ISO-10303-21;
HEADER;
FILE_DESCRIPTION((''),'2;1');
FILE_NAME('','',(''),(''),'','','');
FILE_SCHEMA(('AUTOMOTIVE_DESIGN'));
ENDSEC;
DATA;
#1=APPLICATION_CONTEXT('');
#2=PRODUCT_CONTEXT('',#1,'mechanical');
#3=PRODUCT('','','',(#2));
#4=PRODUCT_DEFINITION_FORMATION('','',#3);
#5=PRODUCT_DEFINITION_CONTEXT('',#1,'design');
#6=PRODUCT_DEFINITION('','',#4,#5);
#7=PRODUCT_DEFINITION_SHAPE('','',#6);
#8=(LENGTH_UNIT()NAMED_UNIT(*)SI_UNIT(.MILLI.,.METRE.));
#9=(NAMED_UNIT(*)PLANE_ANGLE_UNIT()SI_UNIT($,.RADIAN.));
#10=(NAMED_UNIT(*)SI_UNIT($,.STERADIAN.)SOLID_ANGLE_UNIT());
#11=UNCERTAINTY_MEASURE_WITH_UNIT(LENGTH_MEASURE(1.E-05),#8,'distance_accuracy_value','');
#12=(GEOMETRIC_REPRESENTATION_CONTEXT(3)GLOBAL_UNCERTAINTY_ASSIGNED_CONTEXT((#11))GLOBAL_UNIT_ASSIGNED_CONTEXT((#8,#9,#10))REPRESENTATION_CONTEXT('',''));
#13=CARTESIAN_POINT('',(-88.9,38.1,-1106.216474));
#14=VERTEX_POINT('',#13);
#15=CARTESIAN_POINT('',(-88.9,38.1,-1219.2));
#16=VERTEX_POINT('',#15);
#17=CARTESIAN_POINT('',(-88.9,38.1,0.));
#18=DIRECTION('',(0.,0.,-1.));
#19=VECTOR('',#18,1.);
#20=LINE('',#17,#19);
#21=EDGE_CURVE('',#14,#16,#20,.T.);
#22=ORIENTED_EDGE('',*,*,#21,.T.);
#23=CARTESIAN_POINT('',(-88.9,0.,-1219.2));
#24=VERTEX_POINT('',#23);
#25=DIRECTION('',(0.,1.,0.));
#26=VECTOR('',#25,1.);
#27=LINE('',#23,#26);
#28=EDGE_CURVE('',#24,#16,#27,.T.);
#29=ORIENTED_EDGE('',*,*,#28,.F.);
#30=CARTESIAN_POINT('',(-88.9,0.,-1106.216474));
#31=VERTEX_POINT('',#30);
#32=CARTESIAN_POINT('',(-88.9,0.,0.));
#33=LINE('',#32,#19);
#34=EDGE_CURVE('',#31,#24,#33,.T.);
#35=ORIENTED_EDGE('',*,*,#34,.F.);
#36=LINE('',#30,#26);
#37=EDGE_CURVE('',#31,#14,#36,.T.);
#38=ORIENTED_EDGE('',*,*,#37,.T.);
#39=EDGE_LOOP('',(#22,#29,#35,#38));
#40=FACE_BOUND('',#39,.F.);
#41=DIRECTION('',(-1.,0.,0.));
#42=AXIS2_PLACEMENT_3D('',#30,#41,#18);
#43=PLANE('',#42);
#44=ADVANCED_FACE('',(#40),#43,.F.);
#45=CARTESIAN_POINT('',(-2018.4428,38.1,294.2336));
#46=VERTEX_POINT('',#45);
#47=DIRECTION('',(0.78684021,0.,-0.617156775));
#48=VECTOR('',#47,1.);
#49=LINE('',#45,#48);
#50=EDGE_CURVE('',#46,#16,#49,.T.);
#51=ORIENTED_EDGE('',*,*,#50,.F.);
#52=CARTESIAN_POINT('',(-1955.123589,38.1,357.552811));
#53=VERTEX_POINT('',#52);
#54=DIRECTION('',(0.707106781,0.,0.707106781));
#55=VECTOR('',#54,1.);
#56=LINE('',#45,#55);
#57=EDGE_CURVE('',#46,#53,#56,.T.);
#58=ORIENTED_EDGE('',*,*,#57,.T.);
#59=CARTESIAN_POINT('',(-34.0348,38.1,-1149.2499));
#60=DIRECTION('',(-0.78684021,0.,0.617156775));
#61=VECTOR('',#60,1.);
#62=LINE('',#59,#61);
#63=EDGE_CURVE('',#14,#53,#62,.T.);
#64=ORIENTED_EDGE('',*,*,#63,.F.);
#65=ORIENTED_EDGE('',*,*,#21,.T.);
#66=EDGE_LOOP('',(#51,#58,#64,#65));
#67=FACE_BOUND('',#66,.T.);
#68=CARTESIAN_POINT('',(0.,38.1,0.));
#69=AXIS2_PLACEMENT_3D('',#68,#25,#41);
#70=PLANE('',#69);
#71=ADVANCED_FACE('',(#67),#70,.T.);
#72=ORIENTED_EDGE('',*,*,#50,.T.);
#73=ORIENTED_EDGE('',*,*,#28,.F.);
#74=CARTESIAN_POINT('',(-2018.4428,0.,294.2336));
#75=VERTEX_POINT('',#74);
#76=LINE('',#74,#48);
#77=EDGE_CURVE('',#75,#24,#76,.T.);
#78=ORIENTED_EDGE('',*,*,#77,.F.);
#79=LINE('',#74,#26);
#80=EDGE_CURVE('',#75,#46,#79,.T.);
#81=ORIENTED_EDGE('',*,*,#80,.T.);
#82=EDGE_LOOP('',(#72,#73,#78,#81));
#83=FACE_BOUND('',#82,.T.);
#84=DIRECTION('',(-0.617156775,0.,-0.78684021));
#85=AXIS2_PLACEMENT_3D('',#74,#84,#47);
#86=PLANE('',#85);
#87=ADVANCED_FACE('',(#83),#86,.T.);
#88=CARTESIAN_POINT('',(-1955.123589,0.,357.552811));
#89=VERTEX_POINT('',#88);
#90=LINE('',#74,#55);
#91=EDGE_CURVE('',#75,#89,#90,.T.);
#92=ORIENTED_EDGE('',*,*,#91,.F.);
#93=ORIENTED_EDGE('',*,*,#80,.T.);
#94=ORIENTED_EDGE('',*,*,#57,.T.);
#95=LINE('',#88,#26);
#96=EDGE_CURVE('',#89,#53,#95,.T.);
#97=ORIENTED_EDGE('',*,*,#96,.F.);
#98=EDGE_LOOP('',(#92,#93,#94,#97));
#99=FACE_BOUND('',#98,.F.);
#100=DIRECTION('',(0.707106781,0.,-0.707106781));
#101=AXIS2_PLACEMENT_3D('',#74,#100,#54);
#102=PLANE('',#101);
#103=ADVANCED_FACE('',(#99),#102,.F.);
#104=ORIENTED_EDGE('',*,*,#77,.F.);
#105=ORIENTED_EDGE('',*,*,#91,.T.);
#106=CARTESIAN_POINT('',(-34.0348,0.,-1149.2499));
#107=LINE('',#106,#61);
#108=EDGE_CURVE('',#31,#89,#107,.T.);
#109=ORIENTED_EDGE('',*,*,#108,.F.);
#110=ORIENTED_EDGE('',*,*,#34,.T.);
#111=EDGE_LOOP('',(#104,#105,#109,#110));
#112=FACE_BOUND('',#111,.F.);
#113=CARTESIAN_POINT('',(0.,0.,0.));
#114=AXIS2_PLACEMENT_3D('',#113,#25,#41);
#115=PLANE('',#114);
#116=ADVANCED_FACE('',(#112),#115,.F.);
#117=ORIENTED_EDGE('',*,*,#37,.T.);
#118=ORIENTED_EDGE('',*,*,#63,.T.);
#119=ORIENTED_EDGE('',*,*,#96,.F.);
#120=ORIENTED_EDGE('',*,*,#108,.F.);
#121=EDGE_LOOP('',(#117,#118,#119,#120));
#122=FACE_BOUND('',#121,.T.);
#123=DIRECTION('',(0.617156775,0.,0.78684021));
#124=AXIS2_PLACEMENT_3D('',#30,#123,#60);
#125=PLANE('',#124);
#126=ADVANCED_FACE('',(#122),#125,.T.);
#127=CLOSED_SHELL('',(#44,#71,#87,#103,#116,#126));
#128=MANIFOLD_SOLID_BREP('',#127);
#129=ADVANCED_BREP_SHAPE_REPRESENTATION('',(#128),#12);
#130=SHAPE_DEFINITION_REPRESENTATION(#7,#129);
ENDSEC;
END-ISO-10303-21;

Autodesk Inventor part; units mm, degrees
ref_plane "YZ Plane" through (0, 0, 0) normal (1, 0, 0) x (0, 1, 0)
ref_plane "XZ Plane" through (0, 0, 0) normal (0, 1, 0) x (-1, 0, 0)
ref_plane "XY Plane" through (0, 0, 0) normal (0, 0, 1) x (1, 0, 0)
sketch "Sketch1" plane through (0, 0, 0) normal (0, 1, 0) x (-1, 0, 0)
  line L0 (0, 0) -> (0, -1219.2)
  line L1 (0, 0) -> (88.9, 0)
  line L2 (88.9, 0) -> (88.9, -1219.2)
  line L3 (88.9, -1219.2) -> (0, -1219.2)
  line L4 (0, 0) -> (0, 1219.2) construction
  line L5 (0, 1219.2) -> (1219.2, 1219.2) construction
  line L6 (0, 1219.2) -> (0, 3657.6) construction
  line L7 (0, 3657.6) -> (0, 4876.8) construction
  line L8 (0, 4876.8) -> (0, 6096) construction
  line L9 (0, -1219.2) -> (2438.4, -1219.2) construction
  line L10 (0, 6096) -> (2438.4, 6096) construction
  line L11 (2438.4, 6096) -> (2438.4, -1219.2) construction
  line L12 (0, 3657.6) -> (0, 3352.8) construction
  line L13 (0, 3352.8) -> (2438.4, 3352.8) construction
  line L14 (2438.4, 3352.8) -> (1219.2, 3352.8)
  line L15 (1219.2, 3352.8) -> (1219.2, 3263.9)
  line L16 (1219.2, 3263.9) -> (2438.4, 3263.9)
  line L17 (2438.4, 3263.9) -> (2438.4, 3352.8)
  line L18 (0, 6096) -> (862.1046, 6958.1046)
  line L19 (862.1046, 6958.1046) -> (924.9664, 6895.2428)
  line L20 (924.9664, 6895.2428) -> (62.8618, 6033.1382)
  line L21 (62.8618, 6033.1382) -> (0, 6096)
  line L22 (0, 4876.8) -> (1219.2, 4876.8) construction
  line L23 (1219.2, 4876.8) -> (2081.3046, 5738.9046)
  line L24 (1219.2, 1219.2) -> (2081.3046, 357.0954)
  line L25 (2081.3046, 357.0954) -> (2018.4428, 294.2336)
  line L26 (2018.4428, 294.2336) -> (1156.3382, 1156.3382)
  line L27 (1156.3382, 1156.3382) -> (1219.2, 1219.2)
  line L28 (2018.4428, 294.2336) -> (88.9, -1219.2)
  line L29 (2081.3046, 357.0954) -> (2144.1664, 419.9572)
  line L30 (2144.1664, 419.9572) -> (1282.0618, 1282.0618)
  line L31 (1282.0618, 1282.0618) -> (1219.2, 1219.2)
  line L32 (2438.4, 3352.8) -> (2438.4, 3441.7)
  line L33 (2438.4, 3441.7) -> (1219.2, 3441.7)
  line L34 (1219.2, 3441.7) -> (1219.2, 3352.8)
  line L35 (1156.3382, 4939.6618) -> (1282.0618, 4813.9382)
  line L36 (2018.4428, 5801.7664) -> (2144.1664, 5676.0428)
  line L37 (1282.0618, 4813.9382) -> (2144.1664, 5676.0428)
  line L38 (2018.4428, 5801.7664) -> (1156.3382, 4939.6618)
  line L39 (2018.4428, 5801.7664) -> (924.9664, 6895.2428)
  line L40 (62.8618, 6033.1382) -> (1156.3382, 4939.6618)
  line L41 (1233.6206, 4168.8855) -> (1267.6412, 4086.7527)
  line L42 (1263.7078, 2313.9849) -> (1230.0006, 2231.7229)
  arc A0 (862.1046, 6958.1046) -> (0, 6096) centre (431.0523, 6527.0523) ccw
  line L43 (1246.8542, 2272.8539) -> (2375.0183, 1810.583)
  line L44 (2391.8719, 1851.7139) -> (2358.1646, 1769.452)
  line L45 (2391.8719, 1851.7139) -> (1263.7078, 2313.9849)
  line L46 (1230.0006, 2231.7229) -> (2358.1646, 1769.452)
  line L47 (1282.0618, 1282.0618) -> (1230.0006, 2231.7229)
  line L48 (1230.0006, 2231.7229) -> (1219.2, 3263.9)
  line L49 (2144.1664, 419.9572) -> (2391.8719, 1851.7139)
  line L50 (2391.8719, 1851.7139) -> (2438.4, 3263.9)
  line L51 (1219.2, 3441.7) -> (1233.6206, 4168.8855)
  line L52 (1233.6206, 4168.8855) -> (1282.0618, 4813.9382)
  line L53 (1250.6309, 4127.8191) -> (2377.0248, 4594.3867)
  line L54 (2360.0145, 4635.4532) -> (2394.0351, 4553.3203)
  line L55 (2394.0351, 4553.3203) -> (1267.6412, 4086.7527)
  line L56 (2360.0145, 4635.4532) -> (1233.6206, 4168.8855)
  line L57 (2394.0351, 4553.3203) -> (2144.1664, 5676.0428)
  line L58 (2438.4, 3441.7) -> (2394.0351, 4553.3203)
  line L59 (2144.1664, 5676.0428) -> (2057.3895, 5656.7301)
  line L60 (2394.0351, 4553.3203) -> (2305.2058, 4549.7751)
  line L61 (2394.0351, 4553.3203) -> (2307.2582, 4534.0076)
  line L62 (2307.2582, 4534.0076) -> (2057.3895, 5656.7301)
  line L63 (2438.4, 3441.7) -> (2349.5707, 3438.1548)
  line L64 (2349.5707, 3438.1548) -> (2305.2058, 4549.7751)
  line L65 (1219.2, 3441.7) -> (1308.0825, 3439.9374)
  line L66 (1233.6206, 4168.8855) -> (1322.5031, 4167.1229)
  line L67 (1322.5031, 4167.1229) -> (1308.0825, 3439.9374)
  line L68 (1282.0618, 4813.9382) -> (1292.2698, 4949.8698)
  line L69 (1292.2698, 4949.8698) -> (1380.9202, 4943.2124)
  line L70 (1233.6206, 4168.8855) -> (1322.271, 4162.2282)
  line L71 (1322.271, 4162.2282) -> (1380.9202, 4943.2124)
  line L72 (2018.4428, 5801.7664) -> (1955.581, 5738.9046)
  line L73 (1955.581, 5738.9046) -> (862.1046, 6832.381)
  line L74 (924.9664, 6895.2428) -> (862.1046, 6832.381)
  line L75 (62.8618, 6033.1382) -> (125.7236, 6096)
  line L76 (62.8618, 6033.1382) -> (125.7236, 6096)
  line L77 (125.7236, 6096) -> (1219.2, 5002.5236)
  line L78 (1156.3382, 1156.3382) -> (0, 0)
  line L79 (0, 0) -> (62.8618, -62.8618)
  line L80 (1156.3382, 1156.3382) -> (1219.2, 1093.4764)
  line L81 (1219.2, 1093.4764) -> (62.8618, -62.8618)
  line L82 (2018.4428, 294.2336) -> (1963.5776, 364.1837)
  line L83 (88.9, -1219.2) -> (34.0348, -1149.2499)
  line L84 (34.0348, -1149.2499) -> (1963.5776, 364.1837)
  line L85 (2144.1664, 419.9572) -> (2056.5677, 435.1125)
  line L86 (2391.8719, 1851.7139) -> (2304.2732, 1866.8692)
  line L87 (2391.8719, 1851.7139) -> (2303.0201, 1854.6414)
  line L88 (2304.2732, 1866.8692) -> (2056.5677, 435.1125)
  line L89 (1282.0618, 1282.0618) -> (1289.3538, 1149.0462)
  line L90 (1289.3538, 1149.0462) -> (1378.1205, 1153.9124)
  line L91 (1230.0006, 2231.7229) -> (1318.7673, 2236.5892)
  line L92 (1230.0006, 2231.7229) -> (1318.8957, 2232.6531)
  line L93 (1318.7673, 2236.5892) -> (1378.1205, 1153.9124)
  line L94 (1219.2, 3263.9) -> (1308.0951, 3264.8302)
  line L95 (1308.0951, 3264.8302) -> (1318.8957, 2232.6531)
  line L96 (2438.4, 3263.9) -> (2349.5482, 3266.8275)
  line L97 (2349.5482, 3266.8275) -> (2303.0201, 1854.6414)
  point P0 (1770.957, 2057.4547)
  point P1 (1955.1236, 357.5528)
  point P2 (88.9, -1106.2164)
  dimension "d0" = 1219.2
  dimension "d2" = 1219.2
  dimension "d3" = 1219.2
  dimension "d16" = 2438.4
  dimension "d17" = 1219.2
  dimension "d18" = 1219.2
  dimension "d20" = 2438.4
  dimension "d21" = 304.8
  dimension "d22" = 1219.2
  dimension "d23" = 88.9
  dimension "d24" = 1219.2
  dimension "d25" = 45
  dimension "d26" = 88.9
  dimension "d27" = 1219.2
  dimension "d28" = 1219.2
  dimension "d29" = 1219.2
  dimension "d31" = 1219.2
  dimension "d32" = 88.9
  dimension "d33" = 88.9
  dimension "d34" = 88.9
  dimension "d35" = 177.8
  dimension "d36" = 177.8
  dimension "d38" = 88.9
  dimension "d39" = 88.9
  dimension "d43" = 1219.2
  dimension "d44" = 88.9
  dimension "d45" = 1219.2
  dimension "d46" = 88.9
  dimension "d47" = 88.9
  dimension "d48" = 88.9
  dimension "d49" = 88.9
  dimension "d50" = 88.9
  dimension "d51" = 88.9
  dimension "d52" = 88.9
  dimension "d53" = 88.9
  dimension "d54" = 88.9
  dimension "d55" = 88.9
  dimension "d57" = 88.9
  dimension "d58" = 88.9
  dimension "d59" = 88.9
  dimension "d60" = 88.9
  dimension "d61" = 88.9
  dimension "d62" = 88.9
  dimension "d63" = 88.9
  dimension "d64" = 88.9
  dimension "d65" = 88.9
  dimension "d66" = 88.9
extrude "Extrusion1" add sketch "Sketch1" along normal blind 38.1 contours L2 L84 L26 L28
properties part number "S_2x4x96.546"
